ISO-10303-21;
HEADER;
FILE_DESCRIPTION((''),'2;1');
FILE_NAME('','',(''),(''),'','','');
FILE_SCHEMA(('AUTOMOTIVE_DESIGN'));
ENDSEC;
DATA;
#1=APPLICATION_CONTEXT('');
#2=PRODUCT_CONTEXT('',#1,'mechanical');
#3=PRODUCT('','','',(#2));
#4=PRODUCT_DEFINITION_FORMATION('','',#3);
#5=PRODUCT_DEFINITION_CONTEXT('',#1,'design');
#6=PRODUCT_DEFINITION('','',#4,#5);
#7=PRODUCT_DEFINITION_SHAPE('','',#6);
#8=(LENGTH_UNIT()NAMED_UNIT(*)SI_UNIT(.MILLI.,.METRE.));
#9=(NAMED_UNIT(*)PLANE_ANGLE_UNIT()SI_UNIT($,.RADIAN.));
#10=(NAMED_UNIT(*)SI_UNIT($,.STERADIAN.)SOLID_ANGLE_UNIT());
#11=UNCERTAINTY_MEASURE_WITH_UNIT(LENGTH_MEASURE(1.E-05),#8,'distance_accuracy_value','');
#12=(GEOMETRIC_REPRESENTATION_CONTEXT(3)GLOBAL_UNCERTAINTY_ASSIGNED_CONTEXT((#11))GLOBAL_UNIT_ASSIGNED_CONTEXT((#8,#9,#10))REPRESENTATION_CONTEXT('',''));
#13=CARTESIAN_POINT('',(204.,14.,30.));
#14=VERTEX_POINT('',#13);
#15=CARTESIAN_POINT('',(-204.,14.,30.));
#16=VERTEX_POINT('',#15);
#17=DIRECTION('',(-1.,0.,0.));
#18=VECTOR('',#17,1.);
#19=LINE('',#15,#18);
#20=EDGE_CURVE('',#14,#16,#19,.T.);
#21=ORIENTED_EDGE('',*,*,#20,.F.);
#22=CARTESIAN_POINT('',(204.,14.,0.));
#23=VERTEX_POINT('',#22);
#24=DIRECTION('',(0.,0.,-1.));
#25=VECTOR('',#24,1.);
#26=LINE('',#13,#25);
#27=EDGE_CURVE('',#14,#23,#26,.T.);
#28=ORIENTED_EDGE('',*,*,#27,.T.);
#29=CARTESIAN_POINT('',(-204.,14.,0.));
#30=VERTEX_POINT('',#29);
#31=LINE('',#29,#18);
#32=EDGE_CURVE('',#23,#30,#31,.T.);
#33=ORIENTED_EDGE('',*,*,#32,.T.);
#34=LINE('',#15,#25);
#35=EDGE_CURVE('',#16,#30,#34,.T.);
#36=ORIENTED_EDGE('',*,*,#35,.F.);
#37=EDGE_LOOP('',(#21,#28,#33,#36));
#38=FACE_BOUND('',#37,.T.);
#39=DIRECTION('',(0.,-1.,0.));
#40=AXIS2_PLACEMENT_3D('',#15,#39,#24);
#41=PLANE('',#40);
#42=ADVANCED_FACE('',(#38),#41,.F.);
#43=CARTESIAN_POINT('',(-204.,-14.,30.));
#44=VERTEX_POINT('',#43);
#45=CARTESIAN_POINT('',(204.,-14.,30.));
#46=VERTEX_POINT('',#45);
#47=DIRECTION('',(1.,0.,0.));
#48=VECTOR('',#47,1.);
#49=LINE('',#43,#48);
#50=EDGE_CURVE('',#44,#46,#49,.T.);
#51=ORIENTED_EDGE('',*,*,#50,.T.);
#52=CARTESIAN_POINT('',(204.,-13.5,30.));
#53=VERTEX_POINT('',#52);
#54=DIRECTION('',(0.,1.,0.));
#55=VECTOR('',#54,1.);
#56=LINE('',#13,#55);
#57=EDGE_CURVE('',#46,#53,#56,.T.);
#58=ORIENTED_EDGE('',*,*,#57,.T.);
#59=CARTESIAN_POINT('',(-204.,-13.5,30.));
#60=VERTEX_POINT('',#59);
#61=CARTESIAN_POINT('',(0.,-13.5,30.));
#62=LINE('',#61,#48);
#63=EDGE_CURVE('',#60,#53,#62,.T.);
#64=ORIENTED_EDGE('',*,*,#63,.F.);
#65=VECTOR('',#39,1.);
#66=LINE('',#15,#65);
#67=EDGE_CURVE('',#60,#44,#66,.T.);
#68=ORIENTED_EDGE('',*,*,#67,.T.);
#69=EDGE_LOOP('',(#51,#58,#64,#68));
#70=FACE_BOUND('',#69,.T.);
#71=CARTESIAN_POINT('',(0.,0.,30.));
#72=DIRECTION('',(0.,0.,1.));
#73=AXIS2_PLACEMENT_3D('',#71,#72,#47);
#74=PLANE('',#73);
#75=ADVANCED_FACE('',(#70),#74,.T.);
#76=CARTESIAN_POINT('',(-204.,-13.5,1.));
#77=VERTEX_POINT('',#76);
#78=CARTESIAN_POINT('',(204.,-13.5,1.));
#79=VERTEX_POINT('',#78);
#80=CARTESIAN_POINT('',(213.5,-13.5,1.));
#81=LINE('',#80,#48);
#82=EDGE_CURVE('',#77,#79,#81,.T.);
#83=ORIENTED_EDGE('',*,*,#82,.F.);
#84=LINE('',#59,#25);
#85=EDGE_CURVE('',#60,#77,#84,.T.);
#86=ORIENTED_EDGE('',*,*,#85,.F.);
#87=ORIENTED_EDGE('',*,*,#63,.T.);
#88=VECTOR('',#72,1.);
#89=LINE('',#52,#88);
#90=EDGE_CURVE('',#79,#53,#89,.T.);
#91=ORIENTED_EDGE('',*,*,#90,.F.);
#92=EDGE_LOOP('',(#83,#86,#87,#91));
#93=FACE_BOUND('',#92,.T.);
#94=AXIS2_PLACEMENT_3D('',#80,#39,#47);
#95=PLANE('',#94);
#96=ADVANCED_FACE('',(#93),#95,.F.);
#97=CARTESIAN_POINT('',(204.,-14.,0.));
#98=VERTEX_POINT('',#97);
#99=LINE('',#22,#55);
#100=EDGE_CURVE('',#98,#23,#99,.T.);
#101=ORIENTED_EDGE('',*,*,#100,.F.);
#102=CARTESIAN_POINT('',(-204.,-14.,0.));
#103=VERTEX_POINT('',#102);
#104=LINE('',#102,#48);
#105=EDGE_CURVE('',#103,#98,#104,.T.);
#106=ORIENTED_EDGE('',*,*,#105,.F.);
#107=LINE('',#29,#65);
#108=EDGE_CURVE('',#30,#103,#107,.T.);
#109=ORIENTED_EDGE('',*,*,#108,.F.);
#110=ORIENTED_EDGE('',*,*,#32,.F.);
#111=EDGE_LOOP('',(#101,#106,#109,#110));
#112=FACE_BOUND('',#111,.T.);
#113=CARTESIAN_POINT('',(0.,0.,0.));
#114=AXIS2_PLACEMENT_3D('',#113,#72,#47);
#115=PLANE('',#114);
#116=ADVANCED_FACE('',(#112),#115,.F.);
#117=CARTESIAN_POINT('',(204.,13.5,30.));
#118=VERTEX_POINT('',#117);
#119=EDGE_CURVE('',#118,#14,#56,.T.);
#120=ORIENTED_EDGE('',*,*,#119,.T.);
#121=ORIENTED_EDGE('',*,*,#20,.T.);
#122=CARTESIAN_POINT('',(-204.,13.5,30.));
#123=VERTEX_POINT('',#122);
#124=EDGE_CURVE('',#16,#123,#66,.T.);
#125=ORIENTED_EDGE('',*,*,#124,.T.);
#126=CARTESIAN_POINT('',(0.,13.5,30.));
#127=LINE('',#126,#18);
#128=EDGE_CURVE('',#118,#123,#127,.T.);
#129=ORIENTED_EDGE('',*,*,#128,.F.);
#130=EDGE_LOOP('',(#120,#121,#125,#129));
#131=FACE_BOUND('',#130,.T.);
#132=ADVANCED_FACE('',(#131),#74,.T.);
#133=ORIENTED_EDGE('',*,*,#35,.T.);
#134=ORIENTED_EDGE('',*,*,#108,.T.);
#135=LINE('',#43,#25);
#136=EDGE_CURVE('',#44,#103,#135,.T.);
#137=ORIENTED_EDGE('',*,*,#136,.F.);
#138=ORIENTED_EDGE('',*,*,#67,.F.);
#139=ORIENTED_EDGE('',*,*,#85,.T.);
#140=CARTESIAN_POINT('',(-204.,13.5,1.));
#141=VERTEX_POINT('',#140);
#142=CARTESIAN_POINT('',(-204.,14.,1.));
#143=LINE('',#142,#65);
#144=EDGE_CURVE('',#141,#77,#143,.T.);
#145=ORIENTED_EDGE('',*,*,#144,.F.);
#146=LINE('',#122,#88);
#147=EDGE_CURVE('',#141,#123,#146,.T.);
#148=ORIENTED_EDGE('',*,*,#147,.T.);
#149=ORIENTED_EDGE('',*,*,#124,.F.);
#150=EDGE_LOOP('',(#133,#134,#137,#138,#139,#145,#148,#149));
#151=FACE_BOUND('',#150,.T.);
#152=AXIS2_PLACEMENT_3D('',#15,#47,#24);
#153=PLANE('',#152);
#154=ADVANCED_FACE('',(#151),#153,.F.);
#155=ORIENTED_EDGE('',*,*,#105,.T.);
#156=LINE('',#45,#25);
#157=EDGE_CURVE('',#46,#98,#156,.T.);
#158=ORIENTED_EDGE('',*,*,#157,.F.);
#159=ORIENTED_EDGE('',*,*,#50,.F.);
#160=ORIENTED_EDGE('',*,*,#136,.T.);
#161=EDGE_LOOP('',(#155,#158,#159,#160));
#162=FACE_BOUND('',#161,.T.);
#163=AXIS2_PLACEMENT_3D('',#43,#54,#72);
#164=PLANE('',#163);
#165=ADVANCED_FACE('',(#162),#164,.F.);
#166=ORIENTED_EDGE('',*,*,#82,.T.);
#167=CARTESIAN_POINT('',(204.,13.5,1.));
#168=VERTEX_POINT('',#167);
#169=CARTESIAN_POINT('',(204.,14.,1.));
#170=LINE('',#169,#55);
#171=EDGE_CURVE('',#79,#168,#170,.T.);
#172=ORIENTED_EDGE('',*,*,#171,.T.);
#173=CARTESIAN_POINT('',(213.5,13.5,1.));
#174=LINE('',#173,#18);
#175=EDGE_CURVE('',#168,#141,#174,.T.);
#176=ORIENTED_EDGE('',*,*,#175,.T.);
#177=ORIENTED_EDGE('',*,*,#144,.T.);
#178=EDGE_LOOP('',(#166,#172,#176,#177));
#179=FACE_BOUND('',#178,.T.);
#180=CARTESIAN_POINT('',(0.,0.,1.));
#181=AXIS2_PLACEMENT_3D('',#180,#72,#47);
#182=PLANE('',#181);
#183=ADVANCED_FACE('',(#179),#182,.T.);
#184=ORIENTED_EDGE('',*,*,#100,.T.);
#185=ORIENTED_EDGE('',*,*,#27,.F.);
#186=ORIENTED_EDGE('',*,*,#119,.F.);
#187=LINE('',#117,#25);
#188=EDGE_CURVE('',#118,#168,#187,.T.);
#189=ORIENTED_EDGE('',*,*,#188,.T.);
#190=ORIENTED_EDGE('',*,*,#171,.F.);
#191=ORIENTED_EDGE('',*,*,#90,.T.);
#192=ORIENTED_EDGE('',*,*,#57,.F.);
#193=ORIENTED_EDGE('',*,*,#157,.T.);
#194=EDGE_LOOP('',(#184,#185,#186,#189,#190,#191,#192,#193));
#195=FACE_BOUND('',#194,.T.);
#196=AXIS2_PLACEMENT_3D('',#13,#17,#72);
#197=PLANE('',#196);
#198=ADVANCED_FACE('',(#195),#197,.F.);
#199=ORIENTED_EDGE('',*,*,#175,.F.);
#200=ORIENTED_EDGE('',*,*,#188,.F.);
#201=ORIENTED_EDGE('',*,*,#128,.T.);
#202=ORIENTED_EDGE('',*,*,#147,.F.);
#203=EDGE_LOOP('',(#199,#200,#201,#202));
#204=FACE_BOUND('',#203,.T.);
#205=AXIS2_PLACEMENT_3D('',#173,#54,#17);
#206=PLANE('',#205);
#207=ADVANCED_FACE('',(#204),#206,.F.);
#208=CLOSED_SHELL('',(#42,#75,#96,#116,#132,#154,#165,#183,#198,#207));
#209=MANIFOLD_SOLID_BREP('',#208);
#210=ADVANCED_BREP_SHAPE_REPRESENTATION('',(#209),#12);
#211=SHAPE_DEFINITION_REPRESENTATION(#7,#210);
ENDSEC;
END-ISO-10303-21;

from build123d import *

# Parameters (mm, degrees)
SKETCH1_W           = 408
SKETCH1_H           = 28
BOSS_EXTRUDE1_DEPTH = 30
SKETCH2_W           = 427
SKETCH2_H           = 27
CUT_EXTRUDE1_DEPTH  = 29


with BuildPart() as part:
    # Sketch1 → Boss-Extrude1 (new body)
    with BuildSketch(Plane.XY):
        Rectangle(SKETCH1_W, SKETCH1_H)
    extrude(amount=BOSS_EXTRUDE1_DEPTH)

    # Sketch2 → Cut-Extrude1 (cut)
    with BuildSketch(Plane.XY.offset(30)):
        Rectangle(SKETCH2_W, SKETCH2_H)
    extrude(amount=-CUT_EXTRUDE1_DEPTH, mode=Mode.SUBTRACT)


solid = part.part
